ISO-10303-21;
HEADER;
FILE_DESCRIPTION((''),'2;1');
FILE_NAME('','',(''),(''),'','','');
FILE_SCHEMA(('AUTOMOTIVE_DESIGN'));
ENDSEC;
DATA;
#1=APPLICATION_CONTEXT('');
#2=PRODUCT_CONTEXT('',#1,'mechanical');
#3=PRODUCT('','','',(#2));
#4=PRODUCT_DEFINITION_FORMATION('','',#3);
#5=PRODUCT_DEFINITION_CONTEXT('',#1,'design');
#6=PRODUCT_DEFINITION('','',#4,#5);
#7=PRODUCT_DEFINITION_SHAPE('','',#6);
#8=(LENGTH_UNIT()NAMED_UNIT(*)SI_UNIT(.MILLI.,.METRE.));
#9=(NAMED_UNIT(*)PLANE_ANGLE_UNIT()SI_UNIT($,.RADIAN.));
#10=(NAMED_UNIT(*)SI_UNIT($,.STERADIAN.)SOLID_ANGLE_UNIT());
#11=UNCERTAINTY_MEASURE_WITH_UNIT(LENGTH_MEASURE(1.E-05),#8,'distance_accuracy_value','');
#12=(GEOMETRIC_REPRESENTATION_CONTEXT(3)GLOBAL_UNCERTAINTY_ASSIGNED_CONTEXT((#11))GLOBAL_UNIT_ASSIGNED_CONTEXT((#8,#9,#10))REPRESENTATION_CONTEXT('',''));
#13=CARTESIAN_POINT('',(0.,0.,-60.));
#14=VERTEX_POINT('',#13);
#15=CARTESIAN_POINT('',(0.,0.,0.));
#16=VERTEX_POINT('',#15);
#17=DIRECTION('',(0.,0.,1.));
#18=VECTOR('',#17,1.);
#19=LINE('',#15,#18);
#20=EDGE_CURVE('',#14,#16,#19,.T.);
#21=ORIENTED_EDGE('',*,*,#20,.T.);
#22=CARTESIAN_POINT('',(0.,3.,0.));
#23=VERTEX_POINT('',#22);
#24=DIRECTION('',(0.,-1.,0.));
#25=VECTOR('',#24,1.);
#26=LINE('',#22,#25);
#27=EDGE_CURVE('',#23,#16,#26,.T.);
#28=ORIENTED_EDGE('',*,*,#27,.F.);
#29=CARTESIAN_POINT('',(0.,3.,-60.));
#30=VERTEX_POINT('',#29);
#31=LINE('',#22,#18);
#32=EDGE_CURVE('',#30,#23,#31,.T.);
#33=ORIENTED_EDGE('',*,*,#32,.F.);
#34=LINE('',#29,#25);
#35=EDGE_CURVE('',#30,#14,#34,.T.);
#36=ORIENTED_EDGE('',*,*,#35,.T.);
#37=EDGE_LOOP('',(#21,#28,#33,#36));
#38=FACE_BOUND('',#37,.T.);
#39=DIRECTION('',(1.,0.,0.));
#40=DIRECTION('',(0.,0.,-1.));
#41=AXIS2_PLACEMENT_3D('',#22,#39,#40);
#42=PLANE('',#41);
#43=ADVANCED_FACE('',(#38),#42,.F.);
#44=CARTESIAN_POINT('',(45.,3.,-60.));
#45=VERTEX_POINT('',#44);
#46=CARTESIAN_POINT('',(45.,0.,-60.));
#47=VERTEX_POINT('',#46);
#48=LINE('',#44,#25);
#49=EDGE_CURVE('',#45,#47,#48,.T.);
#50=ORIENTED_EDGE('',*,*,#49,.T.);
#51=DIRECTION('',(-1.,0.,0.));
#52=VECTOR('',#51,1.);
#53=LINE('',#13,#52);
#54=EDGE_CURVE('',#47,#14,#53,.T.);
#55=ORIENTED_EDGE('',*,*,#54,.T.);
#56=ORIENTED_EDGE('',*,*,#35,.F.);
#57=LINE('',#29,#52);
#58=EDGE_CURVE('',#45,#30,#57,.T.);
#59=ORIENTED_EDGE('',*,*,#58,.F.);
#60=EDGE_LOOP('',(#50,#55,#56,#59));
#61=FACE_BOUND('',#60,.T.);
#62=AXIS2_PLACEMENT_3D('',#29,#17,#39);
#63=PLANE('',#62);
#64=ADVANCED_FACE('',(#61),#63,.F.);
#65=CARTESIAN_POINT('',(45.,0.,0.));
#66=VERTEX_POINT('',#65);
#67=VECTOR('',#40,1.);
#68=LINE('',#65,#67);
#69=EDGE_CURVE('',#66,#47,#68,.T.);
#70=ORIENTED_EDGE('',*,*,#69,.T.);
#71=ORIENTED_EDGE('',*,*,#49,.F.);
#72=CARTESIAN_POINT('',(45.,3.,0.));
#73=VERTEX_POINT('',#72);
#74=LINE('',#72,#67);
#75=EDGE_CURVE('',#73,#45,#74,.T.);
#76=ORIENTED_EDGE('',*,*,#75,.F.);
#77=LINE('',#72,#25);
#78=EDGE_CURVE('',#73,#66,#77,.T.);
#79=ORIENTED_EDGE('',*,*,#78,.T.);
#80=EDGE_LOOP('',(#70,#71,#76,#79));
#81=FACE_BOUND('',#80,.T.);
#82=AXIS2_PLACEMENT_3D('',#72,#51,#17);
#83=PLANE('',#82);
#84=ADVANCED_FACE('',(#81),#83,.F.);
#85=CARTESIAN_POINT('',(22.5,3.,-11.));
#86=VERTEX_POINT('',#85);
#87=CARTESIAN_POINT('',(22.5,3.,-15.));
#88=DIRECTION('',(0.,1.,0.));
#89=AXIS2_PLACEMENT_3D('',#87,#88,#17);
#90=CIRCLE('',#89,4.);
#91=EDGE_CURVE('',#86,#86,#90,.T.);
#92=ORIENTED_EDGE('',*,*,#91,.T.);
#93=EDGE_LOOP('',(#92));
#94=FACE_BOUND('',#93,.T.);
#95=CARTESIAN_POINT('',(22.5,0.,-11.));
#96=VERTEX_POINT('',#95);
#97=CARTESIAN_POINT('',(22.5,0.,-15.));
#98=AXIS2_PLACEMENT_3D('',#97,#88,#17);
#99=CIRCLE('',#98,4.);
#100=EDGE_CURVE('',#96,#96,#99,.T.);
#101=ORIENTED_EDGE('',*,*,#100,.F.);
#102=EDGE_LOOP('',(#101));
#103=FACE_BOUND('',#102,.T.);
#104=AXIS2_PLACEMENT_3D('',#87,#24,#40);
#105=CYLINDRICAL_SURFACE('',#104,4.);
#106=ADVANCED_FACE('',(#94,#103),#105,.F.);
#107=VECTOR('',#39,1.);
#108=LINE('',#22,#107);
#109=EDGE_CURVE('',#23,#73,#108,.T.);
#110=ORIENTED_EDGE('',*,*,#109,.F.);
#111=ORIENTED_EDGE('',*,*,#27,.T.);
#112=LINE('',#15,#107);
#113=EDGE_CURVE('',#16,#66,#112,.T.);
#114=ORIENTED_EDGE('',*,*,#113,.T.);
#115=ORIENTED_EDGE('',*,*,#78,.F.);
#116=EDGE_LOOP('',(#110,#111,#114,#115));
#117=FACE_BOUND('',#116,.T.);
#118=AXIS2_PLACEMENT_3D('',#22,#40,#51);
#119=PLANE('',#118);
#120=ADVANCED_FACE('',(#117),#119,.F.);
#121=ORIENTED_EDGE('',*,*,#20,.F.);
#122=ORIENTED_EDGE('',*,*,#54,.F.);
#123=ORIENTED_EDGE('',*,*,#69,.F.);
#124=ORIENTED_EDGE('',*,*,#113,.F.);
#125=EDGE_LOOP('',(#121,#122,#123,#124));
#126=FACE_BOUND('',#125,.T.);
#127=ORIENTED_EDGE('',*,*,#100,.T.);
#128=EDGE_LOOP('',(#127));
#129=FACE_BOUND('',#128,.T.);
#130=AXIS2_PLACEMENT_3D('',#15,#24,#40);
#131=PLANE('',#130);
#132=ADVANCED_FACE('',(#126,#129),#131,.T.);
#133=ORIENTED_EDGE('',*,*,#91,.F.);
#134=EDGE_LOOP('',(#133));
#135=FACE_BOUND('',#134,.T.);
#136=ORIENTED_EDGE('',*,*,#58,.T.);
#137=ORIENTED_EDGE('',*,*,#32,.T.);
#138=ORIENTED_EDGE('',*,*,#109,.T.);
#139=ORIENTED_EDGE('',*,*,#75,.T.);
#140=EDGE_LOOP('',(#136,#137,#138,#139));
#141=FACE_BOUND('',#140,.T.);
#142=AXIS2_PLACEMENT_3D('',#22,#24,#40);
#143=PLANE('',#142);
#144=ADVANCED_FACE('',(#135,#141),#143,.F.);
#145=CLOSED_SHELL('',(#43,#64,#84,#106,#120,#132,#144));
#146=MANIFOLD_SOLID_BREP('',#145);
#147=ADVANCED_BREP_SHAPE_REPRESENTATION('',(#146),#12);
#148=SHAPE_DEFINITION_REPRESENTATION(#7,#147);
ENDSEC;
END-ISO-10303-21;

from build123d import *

# Parameters (mm, degrees)
SKETCH1_W           = 45
SKETCH1_H           = 60
SKETCH1_R           = 4
BOSS_EXTRUDE1_DEPTH = 3


with BuildPart() as part:
    # Sketch1 → Boss-Extrude1 (new body)
    with BuildSketch(Plane(origin=(0, 0, 0), x_dir=(1, 0, 0), z_dir=(0, 1, 0))):
        with Locations((22.5, 30)):
            Rectangle(SKETCH1_W, SKETCH1_H)
        with Locations(Location((22.5, 15, 0), (0, 0, 270))):
            Circle(SKETCH1_R, mode=Mode.SUBTRACT)
    extrude(amount=BOSS_EXTRUDE1_DEPTH)


solid = part.part
